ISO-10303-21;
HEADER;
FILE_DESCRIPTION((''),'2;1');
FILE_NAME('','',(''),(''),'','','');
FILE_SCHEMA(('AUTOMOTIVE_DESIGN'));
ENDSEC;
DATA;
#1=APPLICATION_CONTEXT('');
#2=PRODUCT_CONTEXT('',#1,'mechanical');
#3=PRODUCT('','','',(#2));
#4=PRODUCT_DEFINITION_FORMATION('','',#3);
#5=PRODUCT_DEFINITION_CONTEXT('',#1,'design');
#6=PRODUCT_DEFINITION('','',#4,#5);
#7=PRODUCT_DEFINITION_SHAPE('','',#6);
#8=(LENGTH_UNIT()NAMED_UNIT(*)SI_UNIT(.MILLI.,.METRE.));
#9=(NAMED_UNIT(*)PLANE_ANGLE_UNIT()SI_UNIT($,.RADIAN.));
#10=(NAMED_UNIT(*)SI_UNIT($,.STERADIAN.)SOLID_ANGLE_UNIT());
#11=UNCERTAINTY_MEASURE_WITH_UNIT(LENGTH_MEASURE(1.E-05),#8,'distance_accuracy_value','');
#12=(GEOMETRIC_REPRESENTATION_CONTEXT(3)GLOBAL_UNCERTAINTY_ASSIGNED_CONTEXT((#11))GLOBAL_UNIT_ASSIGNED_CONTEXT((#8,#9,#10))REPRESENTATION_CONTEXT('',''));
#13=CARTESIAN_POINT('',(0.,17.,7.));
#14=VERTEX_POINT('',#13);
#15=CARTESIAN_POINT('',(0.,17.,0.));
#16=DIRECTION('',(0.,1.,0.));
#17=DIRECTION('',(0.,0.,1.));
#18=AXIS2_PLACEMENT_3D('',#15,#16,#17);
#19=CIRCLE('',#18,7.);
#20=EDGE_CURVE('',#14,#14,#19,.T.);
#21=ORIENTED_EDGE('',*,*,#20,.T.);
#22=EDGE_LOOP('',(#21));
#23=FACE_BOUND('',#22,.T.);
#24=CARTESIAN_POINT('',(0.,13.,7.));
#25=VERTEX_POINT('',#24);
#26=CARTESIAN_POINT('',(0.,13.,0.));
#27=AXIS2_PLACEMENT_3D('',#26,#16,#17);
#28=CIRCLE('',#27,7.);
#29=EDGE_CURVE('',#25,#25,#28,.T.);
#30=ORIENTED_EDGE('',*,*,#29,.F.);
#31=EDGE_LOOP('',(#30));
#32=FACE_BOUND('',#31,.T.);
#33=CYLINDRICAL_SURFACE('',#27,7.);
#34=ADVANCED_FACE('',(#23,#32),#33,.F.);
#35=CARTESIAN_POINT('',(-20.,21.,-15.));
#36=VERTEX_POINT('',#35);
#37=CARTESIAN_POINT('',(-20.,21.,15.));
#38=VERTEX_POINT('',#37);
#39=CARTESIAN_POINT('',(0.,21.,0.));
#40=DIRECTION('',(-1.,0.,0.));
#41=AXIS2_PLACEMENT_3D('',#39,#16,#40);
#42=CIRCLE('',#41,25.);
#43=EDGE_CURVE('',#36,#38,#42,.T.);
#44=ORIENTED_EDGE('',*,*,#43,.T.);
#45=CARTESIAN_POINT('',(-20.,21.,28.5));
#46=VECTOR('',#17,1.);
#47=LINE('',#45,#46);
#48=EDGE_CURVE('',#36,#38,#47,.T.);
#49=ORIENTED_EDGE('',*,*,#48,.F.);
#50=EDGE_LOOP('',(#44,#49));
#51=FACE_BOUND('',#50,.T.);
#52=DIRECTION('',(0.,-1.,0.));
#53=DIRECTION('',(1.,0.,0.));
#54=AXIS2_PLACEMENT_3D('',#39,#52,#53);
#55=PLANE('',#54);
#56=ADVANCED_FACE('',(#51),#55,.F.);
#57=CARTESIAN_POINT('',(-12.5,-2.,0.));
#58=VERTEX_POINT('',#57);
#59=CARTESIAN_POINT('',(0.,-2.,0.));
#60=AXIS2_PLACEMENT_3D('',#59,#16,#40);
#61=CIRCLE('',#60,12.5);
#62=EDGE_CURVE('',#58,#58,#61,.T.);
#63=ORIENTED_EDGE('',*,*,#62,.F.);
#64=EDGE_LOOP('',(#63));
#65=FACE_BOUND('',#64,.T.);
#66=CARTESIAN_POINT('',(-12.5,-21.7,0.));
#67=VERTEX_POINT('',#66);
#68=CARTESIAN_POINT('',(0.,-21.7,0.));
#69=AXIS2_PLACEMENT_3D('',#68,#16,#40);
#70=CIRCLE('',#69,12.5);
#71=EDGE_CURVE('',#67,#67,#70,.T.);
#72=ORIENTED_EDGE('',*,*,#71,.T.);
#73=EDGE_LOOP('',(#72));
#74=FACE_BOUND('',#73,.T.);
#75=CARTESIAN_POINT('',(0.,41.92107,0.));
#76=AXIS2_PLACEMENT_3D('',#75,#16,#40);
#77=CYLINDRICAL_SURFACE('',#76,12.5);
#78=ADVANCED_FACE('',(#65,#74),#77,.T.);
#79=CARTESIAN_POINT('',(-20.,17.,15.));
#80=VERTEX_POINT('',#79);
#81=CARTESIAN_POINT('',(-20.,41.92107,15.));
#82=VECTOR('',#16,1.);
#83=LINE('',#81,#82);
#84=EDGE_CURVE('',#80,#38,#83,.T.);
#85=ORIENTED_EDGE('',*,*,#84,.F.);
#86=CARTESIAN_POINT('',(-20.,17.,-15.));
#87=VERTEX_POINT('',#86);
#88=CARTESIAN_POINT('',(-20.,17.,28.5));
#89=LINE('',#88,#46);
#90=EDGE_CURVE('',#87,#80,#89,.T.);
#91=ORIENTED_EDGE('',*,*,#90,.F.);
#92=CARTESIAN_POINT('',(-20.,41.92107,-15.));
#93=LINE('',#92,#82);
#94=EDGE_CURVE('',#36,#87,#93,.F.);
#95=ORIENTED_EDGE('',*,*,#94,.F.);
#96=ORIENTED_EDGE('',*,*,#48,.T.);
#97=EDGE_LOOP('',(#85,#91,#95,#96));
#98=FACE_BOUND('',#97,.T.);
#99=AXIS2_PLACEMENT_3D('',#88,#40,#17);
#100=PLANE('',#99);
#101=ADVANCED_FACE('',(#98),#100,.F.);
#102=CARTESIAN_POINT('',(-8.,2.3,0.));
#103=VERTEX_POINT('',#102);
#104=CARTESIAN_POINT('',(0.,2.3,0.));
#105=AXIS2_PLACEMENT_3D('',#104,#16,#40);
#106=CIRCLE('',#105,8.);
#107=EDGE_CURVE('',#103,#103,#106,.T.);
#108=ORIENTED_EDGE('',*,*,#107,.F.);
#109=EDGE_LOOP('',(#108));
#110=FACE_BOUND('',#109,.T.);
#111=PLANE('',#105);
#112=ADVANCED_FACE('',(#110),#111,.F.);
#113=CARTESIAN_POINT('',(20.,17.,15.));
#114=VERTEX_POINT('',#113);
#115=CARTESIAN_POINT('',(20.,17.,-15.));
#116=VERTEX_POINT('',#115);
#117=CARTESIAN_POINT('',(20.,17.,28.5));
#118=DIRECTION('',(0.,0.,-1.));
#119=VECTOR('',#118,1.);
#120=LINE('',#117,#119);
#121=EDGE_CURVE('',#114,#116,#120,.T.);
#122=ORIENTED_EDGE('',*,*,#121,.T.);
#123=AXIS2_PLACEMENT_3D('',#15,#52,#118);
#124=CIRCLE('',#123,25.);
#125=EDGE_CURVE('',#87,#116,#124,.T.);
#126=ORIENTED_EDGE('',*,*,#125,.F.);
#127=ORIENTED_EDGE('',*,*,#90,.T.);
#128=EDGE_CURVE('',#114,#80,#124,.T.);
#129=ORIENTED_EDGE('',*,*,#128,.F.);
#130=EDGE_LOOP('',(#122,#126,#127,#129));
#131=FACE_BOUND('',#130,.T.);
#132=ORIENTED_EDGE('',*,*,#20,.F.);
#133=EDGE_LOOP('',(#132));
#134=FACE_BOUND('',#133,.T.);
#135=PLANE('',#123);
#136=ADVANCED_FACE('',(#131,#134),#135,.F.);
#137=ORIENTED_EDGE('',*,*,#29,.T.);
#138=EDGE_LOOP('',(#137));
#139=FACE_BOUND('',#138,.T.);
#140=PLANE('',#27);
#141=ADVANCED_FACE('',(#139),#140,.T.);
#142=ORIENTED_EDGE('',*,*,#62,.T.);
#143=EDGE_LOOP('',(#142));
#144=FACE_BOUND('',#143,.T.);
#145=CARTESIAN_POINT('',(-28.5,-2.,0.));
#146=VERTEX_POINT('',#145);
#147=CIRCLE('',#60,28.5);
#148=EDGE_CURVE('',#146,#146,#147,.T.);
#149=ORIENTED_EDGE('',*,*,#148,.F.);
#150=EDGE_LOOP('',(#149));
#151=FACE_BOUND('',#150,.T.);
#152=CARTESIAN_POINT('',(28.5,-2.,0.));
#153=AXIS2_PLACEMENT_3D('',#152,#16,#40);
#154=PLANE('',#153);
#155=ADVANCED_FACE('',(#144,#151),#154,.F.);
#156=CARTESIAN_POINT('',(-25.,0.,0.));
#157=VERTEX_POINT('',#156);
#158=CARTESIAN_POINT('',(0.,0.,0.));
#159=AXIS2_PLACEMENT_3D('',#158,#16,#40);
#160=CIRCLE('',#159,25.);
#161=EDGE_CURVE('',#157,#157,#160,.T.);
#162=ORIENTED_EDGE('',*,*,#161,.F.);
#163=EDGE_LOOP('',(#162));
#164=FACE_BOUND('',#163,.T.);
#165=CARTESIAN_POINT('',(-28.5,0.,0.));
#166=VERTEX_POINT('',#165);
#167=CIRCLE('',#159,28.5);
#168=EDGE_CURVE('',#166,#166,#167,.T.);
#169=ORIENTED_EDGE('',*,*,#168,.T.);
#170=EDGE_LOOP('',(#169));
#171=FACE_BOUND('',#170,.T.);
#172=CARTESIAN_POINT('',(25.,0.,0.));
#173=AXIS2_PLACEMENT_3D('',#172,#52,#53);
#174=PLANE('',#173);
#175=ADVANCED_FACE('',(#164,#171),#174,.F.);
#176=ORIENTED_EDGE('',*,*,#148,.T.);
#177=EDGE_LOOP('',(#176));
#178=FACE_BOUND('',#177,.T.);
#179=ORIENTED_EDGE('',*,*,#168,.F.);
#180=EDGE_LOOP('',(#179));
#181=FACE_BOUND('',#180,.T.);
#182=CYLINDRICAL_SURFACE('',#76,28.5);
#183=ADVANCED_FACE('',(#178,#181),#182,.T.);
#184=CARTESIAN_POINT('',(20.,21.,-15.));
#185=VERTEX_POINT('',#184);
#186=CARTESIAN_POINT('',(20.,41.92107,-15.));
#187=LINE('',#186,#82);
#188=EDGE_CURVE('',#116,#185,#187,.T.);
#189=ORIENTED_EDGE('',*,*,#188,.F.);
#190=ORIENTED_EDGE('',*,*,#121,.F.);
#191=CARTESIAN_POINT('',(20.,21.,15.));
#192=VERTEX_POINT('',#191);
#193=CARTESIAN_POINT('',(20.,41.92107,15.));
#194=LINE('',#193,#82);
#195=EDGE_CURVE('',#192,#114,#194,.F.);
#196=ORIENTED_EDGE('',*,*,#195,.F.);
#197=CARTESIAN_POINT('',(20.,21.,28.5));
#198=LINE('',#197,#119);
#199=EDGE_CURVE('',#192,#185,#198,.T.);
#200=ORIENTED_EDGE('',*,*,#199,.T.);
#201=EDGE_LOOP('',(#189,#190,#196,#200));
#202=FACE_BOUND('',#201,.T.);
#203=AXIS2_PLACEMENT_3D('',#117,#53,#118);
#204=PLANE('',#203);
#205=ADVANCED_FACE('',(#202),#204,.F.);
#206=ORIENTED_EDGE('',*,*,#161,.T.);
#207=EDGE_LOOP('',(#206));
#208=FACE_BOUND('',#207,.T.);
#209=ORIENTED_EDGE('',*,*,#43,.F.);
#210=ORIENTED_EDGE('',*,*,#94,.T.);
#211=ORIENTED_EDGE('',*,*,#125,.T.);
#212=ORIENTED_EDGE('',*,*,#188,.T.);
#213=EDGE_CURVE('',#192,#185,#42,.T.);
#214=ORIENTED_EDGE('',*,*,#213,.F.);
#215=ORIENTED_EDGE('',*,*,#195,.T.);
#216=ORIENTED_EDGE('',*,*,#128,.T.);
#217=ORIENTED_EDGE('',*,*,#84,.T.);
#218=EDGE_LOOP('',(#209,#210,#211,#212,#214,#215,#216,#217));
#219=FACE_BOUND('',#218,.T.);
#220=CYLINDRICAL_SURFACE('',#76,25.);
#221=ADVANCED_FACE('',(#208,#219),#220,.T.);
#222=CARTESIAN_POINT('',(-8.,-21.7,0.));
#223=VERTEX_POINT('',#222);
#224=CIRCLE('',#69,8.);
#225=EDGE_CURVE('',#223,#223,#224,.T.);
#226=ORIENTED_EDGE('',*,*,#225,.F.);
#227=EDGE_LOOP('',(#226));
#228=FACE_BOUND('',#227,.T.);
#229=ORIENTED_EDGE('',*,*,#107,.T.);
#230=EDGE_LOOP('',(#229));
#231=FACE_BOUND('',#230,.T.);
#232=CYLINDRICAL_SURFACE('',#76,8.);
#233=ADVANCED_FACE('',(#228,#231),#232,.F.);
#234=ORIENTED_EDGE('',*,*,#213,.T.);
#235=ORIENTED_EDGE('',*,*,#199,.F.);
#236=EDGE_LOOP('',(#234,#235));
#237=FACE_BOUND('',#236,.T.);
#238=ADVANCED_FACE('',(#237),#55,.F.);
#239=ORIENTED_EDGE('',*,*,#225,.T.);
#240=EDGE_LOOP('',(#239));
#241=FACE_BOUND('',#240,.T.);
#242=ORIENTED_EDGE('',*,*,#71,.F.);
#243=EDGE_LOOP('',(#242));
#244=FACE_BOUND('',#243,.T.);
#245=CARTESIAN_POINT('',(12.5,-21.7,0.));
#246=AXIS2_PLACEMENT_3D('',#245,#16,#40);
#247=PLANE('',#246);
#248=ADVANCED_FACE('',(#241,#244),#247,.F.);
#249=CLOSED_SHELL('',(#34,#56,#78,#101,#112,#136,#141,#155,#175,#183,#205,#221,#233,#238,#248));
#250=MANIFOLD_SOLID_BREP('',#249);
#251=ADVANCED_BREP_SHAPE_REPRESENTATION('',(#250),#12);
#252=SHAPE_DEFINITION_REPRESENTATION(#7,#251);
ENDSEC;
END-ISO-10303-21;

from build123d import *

# Parameters (mm, degrees)
SKETCH_2_W          = 40
SKETCH_2_H          = 57
CUT_EXTRUDE_1_DEPTH = 4
SKETCH_3_R          = 7
CUT_EXTRUDE_3_DEPTH = 4


with BuildPart() as part:
    # 草圖1 → 旋轉1 (revolve)
    with BuildSketch(Plane.XY):
        Polygon((0, 21), (25, 21), (25, 0), (28.5, 0), (28.5, -2), (12.5, -2), (12.5, -21.7), (8, -21.7), (8, 2.3), (0, 2.3), align=None)
    revolve(axis=Axis((0, 41.921070153, 0), (0, -1, 0)))

    # 草圖2 → 除料-伸長1 (cut)
    with BuildSketch(Plane(origin=(0, 21, 0), x_dir=(1, 0, 0), z_dir=(0, 1, 0))):
        Rectangle(SKETCH_2_W, SKETCH_2_H)
    extrude(amount=-CUT_EXTRUDE_1_DEPTH, mode=Mode.SUBTRACT)

    # 草圖3 → 除料-伸長3 (cut)
    with BuildSketch(Plane(origin=(0, 17, 0), x_dir=(1, 0, 0), z_dir=(0, 1, 0))):
        Circle(SKETCH_3_R)
    extrude(amount=-CUT_EXTRUDE_3_DEPTH, mode=Mode.SUBTRACT)


solid = part.part
